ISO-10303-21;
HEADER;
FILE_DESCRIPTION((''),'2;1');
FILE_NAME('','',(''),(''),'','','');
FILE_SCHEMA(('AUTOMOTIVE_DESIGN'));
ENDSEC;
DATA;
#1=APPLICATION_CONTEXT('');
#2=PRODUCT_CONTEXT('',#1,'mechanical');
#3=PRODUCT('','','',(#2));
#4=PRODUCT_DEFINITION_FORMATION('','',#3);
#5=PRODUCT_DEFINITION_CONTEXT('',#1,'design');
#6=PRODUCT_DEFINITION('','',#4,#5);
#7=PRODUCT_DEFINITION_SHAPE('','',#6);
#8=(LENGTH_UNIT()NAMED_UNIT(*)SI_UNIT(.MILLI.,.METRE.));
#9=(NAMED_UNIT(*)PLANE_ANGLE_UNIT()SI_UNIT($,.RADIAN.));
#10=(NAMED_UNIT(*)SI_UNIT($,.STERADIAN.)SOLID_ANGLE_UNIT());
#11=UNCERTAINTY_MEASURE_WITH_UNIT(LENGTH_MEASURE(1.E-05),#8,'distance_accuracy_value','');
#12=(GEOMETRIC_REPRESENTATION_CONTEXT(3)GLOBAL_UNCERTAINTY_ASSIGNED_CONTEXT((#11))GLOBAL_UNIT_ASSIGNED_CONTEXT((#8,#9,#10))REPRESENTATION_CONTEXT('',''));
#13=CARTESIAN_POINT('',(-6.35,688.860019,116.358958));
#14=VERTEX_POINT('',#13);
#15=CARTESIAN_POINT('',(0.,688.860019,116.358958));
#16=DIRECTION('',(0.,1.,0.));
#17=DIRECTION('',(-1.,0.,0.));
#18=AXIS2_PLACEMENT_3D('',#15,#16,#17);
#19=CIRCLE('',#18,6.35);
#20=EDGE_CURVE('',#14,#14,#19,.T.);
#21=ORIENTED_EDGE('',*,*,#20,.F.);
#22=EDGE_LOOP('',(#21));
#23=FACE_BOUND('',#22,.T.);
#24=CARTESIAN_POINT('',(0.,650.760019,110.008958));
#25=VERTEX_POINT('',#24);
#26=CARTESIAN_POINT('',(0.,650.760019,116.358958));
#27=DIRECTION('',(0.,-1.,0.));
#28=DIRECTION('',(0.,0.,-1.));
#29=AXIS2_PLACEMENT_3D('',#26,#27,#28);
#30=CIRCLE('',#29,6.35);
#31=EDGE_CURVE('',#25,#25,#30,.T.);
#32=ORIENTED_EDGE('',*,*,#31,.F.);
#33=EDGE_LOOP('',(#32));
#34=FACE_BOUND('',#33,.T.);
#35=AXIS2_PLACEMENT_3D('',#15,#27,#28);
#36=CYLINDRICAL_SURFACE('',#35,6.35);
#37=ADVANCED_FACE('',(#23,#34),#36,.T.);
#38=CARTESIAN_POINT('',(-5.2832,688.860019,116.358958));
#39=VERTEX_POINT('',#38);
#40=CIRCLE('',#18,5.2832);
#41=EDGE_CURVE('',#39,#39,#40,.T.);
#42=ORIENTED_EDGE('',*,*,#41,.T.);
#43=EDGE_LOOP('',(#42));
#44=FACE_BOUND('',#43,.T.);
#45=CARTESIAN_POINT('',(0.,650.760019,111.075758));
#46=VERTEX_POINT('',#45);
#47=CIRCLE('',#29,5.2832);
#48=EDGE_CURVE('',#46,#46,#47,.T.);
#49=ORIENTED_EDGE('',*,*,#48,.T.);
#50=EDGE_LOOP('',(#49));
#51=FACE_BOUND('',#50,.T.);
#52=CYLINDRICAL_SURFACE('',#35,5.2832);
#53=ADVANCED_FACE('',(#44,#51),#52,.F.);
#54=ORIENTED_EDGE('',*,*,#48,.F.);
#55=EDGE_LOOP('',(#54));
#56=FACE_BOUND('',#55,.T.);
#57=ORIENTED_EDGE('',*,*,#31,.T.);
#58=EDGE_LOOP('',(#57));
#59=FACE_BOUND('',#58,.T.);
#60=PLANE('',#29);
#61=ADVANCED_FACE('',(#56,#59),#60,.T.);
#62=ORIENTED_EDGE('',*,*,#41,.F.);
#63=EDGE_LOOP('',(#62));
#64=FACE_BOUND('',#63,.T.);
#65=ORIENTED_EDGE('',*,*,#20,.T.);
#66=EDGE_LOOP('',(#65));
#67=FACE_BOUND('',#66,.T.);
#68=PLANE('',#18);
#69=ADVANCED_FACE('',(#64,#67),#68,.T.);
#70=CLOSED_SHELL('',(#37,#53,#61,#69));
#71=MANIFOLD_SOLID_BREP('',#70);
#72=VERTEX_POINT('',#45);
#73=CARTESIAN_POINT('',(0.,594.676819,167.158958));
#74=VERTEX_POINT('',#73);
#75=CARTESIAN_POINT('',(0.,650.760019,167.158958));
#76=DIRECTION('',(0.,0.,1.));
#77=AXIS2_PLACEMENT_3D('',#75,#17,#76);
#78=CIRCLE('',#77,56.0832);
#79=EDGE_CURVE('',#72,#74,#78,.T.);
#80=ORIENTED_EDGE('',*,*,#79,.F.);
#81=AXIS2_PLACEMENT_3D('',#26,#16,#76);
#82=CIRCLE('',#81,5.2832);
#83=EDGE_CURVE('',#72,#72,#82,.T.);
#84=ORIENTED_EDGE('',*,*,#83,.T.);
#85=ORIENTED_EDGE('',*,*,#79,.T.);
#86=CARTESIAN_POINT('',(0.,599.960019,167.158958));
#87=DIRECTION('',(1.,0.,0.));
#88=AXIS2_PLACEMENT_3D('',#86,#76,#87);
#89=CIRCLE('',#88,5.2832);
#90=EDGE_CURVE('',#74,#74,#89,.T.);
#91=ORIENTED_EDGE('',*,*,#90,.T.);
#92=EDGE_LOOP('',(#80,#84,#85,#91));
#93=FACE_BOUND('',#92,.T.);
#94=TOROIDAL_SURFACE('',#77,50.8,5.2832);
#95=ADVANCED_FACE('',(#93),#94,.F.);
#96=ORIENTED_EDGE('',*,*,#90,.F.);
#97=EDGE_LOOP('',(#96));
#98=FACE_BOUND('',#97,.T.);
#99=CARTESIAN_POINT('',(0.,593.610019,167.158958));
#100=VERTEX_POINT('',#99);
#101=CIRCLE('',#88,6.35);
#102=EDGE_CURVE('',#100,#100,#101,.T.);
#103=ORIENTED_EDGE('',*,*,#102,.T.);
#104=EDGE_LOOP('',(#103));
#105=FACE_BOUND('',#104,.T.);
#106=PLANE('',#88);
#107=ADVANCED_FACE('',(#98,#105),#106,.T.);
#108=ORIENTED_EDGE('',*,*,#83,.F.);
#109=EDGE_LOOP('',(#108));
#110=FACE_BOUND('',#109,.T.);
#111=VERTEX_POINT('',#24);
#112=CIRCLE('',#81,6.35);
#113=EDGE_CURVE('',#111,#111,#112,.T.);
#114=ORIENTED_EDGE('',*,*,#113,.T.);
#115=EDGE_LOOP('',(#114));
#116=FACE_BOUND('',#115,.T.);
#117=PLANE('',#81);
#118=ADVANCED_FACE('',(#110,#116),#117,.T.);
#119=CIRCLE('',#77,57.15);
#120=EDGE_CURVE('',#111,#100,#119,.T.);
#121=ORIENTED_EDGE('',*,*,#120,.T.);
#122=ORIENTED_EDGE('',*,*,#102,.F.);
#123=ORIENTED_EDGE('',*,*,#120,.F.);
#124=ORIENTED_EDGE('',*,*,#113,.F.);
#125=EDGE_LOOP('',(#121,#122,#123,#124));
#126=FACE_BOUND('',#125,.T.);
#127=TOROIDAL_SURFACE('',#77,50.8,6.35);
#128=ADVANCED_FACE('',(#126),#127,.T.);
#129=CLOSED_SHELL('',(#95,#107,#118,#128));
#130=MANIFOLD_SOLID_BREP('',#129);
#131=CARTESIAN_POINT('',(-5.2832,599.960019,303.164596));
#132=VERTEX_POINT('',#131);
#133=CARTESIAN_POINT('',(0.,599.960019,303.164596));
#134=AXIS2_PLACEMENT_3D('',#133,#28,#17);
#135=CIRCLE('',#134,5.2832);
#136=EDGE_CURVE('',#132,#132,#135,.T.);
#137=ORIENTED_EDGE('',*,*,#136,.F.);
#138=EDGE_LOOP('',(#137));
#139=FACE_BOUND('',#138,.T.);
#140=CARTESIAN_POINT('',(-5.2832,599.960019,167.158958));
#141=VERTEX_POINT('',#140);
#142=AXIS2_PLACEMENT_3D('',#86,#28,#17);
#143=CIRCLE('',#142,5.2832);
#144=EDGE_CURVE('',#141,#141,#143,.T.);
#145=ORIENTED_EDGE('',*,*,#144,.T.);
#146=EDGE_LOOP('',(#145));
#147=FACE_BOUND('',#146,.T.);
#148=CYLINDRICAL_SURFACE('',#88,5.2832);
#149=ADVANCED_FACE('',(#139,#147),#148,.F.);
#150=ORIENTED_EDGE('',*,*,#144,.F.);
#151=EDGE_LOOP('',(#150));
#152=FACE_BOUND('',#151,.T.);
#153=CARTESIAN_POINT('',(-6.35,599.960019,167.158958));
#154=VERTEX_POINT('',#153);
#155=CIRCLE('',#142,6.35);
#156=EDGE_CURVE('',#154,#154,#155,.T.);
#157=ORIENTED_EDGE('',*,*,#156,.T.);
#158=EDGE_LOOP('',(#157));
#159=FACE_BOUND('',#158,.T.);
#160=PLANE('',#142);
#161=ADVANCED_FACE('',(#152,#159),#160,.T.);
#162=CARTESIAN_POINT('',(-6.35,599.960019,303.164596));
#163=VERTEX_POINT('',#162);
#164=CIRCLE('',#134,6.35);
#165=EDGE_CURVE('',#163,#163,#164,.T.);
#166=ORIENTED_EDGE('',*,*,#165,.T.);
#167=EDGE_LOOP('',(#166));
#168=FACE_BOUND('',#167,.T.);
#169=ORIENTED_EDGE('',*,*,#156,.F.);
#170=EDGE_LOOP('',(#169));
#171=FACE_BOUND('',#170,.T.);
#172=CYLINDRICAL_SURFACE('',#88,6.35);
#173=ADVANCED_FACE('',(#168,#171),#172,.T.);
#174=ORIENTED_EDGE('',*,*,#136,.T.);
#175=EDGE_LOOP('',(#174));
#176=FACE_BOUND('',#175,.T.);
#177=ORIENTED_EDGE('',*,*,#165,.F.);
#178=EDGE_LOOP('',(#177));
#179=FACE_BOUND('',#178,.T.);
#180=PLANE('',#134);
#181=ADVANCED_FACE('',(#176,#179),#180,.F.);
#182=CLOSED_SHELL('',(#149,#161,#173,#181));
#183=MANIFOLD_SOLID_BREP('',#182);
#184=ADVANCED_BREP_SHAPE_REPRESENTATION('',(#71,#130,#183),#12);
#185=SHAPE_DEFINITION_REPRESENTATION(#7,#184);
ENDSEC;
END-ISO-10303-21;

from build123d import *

# Parameters (mm, degrees)
SKETCH11_R                = 6.35
SKETCH11_R_2              = 5.2832
PIPE_0_5_SCH_40_1_DEPTH   = 136.005637638
SKETCH11_ON_SEGMENT_2_R   = 6.35
SKETCH11_ON_SEGMENT_2_R_2 = 5.2832
PIPE_0_5_SCH_40_1_2_ANGLE = 90
SKETCH11_ON_SEGMENT_3_R   = 6.35
SKETCH11_ON_SEGMENT_3_R_2 = 5.2832
PIPE_0_5_SCH_40_1_3_DEPTH = 38.1


with BuildPart() as part:
    # Sketch11 → Pipe 0.5 SCH 40(1) (new body)
    with BuildSketch(Plane(origin=(0, 599.960019272, 303.164595711), x_dir=(0, 1, 0), z_dir=(0, 0, -1))):
        Circle(SKETCH11_R)
        Circle(SKETCH11_R_2, mode=Mode.SUBTRACT)
    extrude(amount=PIPE_0_5_SCH_40_1_DEPTH)


with BuildPart() as body_2:
    # Sketch11 on segment 2 (carried to the start of arc 2) → Pipe 0.5 SCH 40_1 2 (revolve)
    with BuildSketch(Plane(origin=(0, 599.960019272, 167.158958073), x_dir=(0, 1, 0), z_dir=(0, 0, -1))):
        Circle(SKETCH11_ON_SEGMENT_2_R)
        Circle(SKETCH11_ON_SEGMENT_2_R_2, mode=Mode.SUBTRACT)
    revolve(axis=Axis((0, 650.760019272, 167.158958073), (1, 0, 0)), revolution_arc=PIPE_0_5_SCH_40_1_2_ANGLE)


with BuildPart() as body_3:
    # Sketch11 on segment 3 (carried to segment 3) → Pipe 0.5 SCH 40_1 3 (new body)
    with BuildSketch(Plane(origin=(0, 650.760019272, 116.358958073), x_dir=(0, 0, 1), z_dir=(0, 1, 0))):
        Circle(SKETCH11_ON_SEGMENT_3_R)
        Circle(SKETCH11_ON_SEGMENT_3_R_2, mode=Mode.SUBTRACT)
    extrude(amount=PIPE_0_5_SCH_40_1_3_DEPTH)


solid = Compound([part.part, body_2.part, body_3.part])
